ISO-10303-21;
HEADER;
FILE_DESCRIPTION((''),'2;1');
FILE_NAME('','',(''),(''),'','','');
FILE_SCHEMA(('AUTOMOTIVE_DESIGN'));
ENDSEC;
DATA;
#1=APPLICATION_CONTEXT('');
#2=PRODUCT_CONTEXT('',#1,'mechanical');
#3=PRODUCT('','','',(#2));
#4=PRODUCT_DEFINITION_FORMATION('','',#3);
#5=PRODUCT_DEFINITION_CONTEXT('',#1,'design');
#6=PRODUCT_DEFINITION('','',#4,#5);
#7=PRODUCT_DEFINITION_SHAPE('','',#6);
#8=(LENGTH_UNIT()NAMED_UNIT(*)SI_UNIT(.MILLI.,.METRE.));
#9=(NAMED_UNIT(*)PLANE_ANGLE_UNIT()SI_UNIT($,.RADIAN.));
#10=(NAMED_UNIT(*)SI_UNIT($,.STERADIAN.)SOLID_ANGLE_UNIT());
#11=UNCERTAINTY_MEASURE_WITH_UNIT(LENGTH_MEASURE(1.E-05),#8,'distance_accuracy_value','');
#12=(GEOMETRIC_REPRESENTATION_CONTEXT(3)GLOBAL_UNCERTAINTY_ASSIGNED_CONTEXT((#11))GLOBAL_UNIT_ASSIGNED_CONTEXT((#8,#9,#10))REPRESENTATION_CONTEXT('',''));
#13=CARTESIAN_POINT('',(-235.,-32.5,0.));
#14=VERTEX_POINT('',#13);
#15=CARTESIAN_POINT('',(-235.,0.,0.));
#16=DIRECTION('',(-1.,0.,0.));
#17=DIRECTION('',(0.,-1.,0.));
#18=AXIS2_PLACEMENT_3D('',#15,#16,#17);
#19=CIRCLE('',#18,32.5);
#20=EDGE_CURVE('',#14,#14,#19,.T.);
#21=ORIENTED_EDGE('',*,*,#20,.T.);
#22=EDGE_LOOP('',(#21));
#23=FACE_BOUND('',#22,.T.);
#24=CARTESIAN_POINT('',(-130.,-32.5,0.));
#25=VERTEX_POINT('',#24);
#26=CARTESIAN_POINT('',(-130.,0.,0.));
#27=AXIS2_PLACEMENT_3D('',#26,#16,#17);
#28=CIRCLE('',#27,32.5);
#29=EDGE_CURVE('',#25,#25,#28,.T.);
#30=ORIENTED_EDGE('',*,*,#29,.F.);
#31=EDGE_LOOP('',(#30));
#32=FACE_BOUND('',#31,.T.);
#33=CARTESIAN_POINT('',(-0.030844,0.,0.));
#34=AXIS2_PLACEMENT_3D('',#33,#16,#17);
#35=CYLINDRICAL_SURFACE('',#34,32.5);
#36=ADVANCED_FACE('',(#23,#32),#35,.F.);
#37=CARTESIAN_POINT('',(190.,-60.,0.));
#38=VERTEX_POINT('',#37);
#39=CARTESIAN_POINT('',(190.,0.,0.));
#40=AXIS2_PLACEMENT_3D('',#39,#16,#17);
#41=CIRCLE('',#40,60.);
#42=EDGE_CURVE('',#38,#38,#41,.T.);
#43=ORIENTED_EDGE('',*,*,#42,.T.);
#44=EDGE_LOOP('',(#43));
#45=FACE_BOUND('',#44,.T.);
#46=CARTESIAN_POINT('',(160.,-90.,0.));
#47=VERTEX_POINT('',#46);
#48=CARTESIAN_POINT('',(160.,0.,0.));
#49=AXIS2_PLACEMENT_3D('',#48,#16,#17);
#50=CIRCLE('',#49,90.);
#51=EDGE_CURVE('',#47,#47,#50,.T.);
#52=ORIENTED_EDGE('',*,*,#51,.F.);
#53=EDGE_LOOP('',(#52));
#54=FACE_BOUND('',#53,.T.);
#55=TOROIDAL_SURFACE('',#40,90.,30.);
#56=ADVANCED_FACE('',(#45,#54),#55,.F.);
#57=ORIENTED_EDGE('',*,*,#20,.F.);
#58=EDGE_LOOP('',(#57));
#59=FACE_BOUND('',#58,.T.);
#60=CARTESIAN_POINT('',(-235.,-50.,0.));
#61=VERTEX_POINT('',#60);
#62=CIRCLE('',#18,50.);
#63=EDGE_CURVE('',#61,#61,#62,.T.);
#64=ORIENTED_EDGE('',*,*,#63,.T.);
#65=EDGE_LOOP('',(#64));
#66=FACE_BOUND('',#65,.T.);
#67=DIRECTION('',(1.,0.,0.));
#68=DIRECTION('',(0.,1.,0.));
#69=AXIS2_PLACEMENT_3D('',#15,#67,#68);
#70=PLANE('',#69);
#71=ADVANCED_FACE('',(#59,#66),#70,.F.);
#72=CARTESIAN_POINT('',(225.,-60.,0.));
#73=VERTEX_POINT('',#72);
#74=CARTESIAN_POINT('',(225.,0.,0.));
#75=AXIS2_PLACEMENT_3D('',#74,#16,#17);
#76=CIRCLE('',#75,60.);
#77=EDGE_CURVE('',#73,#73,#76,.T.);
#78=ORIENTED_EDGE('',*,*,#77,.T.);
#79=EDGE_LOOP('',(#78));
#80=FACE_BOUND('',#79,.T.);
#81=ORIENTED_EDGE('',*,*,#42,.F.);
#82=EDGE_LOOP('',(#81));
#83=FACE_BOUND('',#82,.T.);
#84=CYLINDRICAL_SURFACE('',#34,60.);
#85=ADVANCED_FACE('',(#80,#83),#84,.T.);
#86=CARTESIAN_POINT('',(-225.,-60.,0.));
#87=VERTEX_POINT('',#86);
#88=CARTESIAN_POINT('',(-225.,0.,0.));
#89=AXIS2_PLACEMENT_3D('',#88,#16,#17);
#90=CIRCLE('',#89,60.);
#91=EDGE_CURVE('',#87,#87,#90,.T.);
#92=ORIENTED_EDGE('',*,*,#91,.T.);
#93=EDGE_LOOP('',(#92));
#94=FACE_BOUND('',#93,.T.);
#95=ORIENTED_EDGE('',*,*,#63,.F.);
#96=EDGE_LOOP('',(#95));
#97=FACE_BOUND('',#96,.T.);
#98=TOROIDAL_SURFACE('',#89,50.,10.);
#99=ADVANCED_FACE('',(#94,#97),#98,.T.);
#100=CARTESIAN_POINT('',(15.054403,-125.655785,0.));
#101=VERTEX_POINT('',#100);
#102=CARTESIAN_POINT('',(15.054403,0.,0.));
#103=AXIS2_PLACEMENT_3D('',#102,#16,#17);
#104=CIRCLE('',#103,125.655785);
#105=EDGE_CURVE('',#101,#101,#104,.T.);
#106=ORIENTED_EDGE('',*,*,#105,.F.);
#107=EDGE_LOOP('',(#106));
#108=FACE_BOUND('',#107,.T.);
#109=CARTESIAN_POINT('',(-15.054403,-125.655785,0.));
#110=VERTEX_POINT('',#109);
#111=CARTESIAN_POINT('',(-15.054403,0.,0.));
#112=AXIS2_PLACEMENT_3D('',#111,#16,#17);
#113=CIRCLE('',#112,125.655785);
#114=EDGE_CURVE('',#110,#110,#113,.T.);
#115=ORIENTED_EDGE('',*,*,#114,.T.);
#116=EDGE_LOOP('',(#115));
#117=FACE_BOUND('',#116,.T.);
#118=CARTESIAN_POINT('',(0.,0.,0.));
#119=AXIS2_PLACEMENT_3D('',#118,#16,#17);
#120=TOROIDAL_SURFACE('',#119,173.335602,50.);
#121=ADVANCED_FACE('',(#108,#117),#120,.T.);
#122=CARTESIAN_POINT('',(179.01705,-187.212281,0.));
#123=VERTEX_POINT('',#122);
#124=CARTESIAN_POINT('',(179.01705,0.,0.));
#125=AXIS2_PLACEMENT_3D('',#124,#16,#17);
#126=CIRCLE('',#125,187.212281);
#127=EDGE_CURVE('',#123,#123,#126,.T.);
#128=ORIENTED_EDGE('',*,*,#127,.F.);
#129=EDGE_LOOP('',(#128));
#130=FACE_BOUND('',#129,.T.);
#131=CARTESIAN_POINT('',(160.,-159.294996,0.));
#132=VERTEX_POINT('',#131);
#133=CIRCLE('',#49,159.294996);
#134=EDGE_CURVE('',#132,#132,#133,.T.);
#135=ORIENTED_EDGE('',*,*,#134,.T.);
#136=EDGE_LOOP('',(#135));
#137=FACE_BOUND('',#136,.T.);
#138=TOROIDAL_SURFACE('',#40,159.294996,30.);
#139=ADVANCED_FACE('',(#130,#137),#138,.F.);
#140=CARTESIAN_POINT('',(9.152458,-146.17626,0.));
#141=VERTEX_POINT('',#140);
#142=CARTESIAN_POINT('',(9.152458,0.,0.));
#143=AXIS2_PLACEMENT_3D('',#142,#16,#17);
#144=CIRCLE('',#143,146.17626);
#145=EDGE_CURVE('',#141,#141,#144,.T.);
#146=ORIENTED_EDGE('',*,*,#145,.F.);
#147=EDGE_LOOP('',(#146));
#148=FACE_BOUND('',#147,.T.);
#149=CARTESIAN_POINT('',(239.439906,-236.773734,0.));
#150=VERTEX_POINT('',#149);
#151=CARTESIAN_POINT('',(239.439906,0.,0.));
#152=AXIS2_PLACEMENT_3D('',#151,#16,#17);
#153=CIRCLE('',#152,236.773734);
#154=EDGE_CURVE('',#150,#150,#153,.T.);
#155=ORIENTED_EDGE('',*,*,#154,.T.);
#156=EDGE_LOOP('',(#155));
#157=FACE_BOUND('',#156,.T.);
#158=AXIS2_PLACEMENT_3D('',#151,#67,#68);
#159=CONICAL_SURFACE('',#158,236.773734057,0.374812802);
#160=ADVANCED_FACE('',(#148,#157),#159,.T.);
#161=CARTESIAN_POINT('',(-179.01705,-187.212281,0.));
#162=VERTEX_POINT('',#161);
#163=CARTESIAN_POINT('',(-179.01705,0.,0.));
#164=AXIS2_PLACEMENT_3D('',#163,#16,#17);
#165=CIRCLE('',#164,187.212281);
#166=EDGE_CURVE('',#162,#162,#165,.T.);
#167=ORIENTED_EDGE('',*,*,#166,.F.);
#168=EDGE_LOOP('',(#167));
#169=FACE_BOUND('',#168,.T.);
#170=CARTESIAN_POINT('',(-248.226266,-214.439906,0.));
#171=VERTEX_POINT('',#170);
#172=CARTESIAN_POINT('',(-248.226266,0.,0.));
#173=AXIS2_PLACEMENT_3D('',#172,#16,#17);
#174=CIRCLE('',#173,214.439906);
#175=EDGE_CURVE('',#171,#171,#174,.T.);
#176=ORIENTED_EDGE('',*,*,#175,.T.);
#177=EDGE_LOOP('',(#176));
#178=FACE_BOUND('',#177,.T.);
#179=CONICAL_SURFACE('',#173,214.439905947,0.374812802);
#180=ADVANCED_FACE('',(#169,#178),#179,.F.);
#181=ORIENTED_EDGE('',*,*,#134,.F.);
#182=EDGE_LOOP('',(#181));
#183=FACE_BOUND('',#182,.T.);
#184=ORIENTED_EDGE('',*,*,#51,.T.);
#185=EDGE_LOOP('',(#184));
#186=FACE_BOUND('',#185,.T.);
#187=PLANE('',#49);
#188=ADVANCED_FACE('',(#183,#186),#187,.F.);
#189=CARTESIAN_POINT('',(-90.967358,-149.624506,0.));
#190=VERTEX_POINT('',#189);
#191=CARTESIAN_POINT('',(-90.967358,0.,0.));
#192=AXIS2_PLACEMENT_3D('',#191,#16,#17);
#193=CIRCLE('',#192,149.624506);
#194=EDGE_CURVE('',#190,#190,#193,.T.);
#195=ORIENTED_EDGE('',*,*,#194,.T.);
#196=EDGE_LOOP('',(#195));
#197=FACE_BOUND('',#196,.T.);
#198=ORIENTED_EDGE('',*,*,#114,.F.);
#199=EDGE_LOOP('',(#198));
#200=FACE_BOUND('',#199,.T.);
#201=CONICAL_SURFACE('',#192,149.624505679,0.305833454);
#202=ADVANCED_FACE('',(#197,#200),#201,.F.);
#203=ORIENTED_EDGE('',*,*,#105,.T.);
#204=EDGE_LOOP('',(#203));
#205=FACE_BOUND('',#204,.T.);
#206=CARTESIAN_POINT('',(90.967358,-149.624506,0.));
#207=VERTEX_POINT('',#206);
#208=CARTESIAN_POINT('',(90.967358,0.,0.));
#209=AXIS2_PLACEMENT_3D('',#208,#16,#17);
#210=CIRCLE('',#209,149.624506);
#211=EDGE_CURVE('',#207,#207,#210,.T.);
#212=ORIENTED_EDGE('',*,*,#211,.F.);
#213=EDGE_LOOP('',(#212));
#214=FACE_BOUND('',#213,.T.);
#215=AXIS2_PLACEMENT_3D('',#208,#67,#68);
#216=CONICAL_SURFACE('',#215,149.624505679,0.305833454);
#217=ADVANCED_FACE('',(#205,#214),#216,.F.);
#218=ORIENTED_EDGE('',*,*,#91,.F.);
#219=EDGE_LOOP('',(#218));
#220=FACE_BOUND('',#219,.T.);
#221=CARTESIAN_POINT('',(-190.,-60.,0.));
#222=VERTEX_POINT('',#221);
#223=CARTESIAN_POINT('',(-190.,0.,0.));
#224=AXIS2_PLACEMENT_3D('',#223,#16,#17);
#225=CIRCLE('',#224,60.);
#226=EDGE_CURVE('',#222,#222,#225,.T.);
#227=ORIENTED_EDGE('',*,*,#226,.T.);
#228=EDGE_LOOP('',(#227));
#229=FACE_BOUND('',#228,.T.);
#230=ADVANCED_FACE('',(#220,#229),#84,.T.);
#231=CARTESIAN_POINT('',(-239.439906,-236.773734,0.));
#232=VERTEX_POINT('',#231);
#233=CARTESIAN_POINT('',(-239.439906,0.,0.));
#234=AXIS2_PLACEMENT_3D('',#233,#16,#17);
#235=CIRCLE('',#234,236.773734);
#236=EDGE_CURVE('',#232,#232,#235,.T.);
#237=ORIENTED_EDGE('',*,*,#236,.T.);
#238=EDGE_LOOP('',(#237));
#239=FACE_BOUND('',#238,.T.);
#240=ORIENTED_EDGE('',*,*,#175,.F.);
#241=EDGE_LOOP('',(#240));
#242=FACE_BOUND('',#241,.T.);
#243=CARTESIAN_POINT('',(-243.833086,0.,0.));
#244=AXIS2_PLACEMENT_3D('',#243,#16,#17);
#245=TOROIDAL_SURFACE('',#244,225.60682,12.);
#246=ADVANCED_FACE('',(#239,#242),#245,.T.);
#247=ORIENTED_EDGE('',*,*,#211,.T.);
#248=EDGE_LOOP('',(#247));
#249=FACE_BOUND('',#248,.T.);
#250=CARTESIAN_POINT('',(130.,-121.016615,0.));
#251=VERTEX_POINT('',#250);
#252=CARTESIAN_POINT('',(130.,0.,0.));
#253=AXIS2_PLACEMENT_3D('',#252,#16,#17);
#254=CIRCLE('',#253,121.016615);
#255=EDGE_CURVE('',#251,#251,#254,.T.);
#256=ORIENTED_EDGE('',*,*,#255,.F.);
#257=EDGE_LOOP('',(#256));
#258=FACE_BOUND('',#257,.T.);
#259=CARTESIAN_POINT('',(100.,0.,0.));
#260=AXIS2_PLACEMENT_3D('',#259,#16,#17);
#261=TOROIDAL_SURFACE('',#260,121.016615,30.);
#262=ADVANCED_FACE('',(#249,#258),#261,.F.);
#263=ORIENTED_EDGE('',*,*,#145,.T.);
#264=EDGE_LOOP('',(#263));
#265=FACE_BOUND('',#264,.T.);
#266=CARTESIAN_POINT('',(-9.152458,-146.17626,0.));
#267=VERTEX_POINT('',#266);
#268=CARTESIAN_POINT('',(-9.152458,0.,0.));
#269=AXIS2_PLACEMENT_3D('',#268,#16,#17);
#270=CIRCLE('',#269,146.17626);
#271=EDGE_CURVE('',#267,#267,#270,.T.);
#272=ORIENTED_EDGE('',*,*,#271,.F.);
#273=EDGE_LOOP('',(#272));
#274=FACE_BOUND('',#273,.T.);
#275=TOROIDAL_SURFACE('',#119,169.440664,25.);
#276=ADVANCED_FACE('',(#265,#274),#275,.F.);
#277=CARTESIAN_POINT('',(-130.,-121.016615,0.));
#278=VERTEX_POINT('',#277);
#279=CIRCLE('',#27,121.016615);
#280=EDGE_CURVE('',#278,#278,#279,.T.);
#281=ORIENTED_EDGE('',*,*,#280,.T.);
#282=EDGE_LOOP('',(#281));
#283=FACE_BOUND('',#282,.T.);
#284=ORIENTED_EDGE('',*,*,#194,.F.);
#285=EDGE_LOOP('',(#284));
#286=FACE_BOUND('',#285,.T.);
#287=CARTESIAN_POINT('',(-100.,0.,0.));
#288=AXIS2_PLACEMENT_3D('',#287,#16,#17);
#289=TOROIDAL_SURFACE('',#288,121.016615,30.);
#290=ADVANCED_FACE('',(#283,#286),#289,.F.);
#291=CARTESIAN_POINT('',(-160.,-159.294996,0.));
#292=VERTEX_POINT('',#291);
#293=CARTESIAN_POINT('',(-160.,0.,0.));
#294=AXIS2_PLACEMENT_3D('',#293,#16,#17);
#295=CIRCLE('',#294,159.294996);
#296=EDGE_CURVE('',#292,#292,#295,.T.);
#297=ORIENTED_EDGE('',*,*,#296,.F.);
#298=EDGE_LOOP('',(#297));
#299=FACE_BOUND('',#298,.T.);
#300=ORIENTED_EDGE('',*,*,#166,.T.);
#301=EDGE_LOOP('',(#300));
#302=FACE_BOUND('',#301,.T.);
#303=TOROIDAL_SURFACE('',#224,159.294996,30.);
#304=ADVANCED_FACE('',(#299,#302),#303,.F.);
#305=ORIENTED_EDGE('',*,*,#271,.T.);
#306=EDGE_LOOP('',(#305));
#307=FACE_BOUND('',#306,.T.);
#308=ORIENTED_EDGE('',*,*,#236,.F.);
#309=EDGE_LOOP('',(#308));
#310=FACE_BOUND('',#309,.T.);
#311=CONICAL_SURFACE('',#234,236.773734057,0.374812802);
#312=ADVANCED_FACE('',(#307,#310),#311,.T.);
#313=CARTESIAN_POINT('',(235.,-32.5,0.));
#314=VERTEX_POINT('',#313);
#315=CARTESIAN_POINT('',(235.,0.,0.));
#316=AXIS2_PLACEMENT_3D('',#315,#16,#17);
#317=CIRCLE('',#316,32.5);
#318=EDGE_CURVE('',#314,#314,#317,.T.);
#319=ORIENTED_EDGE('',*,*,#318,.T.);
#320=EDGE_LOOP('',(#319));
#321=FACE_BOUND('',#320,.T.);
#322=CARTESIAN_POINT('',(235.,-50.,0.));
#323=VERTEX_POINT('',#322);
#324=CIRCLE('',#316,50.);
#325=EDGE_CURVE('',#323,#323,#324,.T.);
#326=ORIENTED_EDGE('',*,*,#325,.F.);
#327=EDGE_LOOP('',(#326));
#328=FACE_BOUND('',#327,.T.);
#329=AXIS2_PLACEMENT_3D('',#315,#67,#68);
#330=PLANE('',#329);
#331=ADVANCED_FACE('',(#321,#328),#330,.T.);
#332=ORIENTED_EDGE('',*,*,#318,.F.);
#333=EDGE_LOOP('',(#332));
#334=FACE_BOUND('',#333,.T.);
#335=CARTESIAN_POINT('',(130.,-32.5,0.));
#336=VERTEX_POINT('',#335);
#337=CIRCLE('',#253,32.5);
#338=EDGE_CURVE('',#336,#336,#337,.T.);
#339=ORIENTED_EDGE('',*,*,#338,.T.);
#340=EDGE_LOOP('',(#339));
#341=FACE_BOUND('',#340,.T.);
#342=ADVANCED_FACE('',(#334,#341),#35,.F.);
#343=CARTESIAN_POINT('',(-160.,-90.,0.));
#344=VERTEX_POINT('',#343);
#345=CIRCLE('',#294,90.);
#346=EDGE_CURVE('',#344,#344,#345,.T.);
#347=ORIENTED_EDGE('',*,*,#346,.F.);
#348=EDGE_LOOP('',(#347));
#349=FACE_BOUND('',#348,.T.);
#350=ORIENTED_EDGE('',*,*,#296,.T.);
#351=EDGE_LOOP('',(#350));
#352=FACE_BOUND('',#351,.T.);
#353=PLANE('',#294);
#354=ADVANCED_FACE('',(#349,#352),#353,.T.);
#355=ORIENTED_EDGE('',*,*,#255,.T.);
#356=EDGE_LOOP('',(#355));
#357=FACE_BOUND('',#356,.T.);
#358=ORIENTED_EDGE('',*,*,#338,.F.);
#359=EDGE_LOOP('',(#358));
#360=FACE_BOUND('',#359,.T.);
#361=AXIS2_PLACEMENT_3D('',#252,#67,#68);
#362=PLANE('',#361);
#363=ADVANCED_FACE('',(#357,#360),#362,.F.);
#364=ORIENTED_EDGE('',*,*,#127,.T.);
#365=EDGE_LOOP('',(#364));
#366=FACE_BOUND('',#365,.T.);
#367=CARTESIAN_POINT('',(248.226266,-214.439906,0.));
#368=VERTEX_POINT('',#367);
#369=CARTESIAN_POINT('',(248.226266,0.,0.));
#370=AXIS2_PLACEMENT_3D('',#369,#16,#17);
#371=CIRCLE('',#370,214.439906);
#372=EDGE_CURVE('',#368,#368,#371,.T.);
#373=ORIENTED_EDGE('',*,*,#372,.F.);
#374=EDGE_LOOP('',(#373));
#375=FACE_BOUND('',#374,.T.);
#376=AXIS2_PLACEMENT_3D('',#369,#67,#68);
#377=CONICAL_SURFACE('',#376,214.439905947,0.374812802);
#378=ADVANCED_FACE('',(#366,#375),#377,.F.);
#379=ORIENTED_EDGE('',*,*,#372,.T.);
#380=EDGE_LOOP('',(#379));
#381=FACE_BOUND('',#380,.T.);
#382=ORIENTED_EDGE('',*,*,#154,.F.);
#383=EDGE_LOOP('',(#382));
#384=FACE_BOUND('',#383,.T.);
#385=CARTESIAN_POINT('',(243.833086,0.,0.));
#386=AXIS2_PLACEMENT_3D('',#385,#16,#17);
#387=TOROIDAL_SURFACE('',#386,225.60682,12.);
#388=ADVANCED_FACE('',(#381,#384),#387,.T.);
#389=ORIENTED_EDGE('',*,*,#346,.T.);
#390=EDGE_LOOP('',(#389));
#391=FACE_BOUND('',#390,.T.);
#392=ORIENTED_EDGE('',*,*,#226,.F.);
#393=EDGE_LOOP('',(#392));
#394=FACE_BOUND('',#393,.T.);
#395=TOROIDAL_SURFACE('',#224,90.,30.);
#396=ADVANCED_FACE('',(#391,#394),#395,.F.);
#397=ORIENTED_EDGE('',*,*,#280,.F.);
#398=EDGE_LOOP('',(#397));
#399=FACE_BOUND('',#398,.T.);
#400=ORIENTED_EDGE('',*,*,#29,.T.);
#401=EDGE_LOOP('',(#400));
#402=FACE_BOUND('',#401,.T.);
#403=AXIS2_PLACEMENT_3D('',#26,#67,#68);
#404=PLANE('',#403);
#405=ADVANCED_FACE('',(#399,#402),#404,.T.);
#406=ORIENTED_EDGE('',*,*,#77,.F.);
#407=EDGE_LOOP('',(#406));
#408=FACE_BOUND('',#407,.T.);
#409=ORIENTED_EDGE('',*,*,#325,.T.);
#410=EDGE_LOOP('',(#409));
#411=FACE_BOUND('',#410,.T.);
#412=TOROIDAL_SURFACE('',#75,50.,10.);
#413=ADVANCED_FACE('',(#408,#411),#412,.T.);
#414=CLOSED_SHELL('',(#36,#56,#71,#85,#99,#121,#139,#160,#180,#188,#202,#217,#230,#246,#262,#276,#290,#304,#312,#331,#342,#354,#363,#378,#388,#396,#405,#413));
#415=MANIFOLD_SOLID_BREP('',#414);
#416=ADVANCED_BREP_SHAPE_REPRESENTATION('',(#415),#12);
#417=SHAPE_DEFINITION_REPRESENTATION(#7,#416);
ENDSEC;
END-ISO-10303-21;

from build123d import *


with BuildPart() as part:
    # Sketch1 → Revolve2 (revolve)
    with BuildSketch(Plane.XY, mode=Mode.PRIVATE) as revolve2_sk:
        with BuildLine():
            ThreePointArc((-9.152458329, 146.176259793), (0, 144.440664074), (9.152458329, 146.176259793))
            Line((9.152458329, 146.176259793), (239.439905947, 236.773734057))
            ThreePointArc((239.439905947, 236.773734057), (255, 230), (248.226265943, 214.439905947))
            Line((248.226265943, 214.439905947), (179.017050005, 187.212281408))
            ThreePointArc((179.017050005, 187.212281408), (165.20596342, 176.184512253), (160, 159.294996272))
            Line((160, 159.294996272), (160, 90))
            ThreePointArc((160, 90), (168.786796564, 68.786796564), (190, 60))
            Line((190, 60), (225, 60))
            ThreePointArc((225, 60), (232.071067812, 57.071067812), (235, 50))
            Line((235, 50), (235, 32.5))
            Line((235, 32.5), (130, 32.5))
            Line((130, 32.5), (130, 121.01661546))
            ThreePointArc((130, 121.01661546), (117.734440322, 145.21350837), (90.967358235, 149.624505679))
            Line((90.967358235, 149.624505679), (15.054402941, 125.655784979))
            ThreePointArc((15.054402941, 125.655784979), (0, 123.335602009), (-15.054402941, 125.655784979))
            Line((-15.054402941, 125.655784979), (-90.967358235, 149.624505679))
            ThreePointArc((-90.967358235, 149.624505679), (-117.734440322, 145.21350837), (-130, 121.01661546))
            Line((-130, 121.01661546), (-130, 32.5))
            Line((-130, 32.5), (-235, 32.5))
            Line((-235, 32.5), (-235, 50))
            ThreePointArc((-235, 50), (-232.071067812, 57.071067812), (-225, 60))
            Line((-225, 60), (-190, 60))
            ThreePointArc((-190, 60), (-168.786796564, 68.786796564), (-160, 90))
            Line((-160, 90), (-160, 159.294996272))
            ThreePointArc((-160, 159.294996272), (-165.20596342, 176.184512253), (-179.017050005, 187.212281408))
            Line((-179.017050005, 187.212281408), (-248.226265943, 214.439905947))
            ThreePointArc((-248.226265943, 214.439905947), (-255, 230), (-239.439905947, 236.773734057))
            Line((-239.439905947, 236.773734057), (-9.152458329, 146.176259793))
        make_face()
    revolve(revolve2_sk.sketch.rotate(Axis((-0.030843915, 0, 0), (1, 0, 0)), 180), axis=Axis((-0.030843915, 0, 0), (1, 0, 0)))


solid = part.part
